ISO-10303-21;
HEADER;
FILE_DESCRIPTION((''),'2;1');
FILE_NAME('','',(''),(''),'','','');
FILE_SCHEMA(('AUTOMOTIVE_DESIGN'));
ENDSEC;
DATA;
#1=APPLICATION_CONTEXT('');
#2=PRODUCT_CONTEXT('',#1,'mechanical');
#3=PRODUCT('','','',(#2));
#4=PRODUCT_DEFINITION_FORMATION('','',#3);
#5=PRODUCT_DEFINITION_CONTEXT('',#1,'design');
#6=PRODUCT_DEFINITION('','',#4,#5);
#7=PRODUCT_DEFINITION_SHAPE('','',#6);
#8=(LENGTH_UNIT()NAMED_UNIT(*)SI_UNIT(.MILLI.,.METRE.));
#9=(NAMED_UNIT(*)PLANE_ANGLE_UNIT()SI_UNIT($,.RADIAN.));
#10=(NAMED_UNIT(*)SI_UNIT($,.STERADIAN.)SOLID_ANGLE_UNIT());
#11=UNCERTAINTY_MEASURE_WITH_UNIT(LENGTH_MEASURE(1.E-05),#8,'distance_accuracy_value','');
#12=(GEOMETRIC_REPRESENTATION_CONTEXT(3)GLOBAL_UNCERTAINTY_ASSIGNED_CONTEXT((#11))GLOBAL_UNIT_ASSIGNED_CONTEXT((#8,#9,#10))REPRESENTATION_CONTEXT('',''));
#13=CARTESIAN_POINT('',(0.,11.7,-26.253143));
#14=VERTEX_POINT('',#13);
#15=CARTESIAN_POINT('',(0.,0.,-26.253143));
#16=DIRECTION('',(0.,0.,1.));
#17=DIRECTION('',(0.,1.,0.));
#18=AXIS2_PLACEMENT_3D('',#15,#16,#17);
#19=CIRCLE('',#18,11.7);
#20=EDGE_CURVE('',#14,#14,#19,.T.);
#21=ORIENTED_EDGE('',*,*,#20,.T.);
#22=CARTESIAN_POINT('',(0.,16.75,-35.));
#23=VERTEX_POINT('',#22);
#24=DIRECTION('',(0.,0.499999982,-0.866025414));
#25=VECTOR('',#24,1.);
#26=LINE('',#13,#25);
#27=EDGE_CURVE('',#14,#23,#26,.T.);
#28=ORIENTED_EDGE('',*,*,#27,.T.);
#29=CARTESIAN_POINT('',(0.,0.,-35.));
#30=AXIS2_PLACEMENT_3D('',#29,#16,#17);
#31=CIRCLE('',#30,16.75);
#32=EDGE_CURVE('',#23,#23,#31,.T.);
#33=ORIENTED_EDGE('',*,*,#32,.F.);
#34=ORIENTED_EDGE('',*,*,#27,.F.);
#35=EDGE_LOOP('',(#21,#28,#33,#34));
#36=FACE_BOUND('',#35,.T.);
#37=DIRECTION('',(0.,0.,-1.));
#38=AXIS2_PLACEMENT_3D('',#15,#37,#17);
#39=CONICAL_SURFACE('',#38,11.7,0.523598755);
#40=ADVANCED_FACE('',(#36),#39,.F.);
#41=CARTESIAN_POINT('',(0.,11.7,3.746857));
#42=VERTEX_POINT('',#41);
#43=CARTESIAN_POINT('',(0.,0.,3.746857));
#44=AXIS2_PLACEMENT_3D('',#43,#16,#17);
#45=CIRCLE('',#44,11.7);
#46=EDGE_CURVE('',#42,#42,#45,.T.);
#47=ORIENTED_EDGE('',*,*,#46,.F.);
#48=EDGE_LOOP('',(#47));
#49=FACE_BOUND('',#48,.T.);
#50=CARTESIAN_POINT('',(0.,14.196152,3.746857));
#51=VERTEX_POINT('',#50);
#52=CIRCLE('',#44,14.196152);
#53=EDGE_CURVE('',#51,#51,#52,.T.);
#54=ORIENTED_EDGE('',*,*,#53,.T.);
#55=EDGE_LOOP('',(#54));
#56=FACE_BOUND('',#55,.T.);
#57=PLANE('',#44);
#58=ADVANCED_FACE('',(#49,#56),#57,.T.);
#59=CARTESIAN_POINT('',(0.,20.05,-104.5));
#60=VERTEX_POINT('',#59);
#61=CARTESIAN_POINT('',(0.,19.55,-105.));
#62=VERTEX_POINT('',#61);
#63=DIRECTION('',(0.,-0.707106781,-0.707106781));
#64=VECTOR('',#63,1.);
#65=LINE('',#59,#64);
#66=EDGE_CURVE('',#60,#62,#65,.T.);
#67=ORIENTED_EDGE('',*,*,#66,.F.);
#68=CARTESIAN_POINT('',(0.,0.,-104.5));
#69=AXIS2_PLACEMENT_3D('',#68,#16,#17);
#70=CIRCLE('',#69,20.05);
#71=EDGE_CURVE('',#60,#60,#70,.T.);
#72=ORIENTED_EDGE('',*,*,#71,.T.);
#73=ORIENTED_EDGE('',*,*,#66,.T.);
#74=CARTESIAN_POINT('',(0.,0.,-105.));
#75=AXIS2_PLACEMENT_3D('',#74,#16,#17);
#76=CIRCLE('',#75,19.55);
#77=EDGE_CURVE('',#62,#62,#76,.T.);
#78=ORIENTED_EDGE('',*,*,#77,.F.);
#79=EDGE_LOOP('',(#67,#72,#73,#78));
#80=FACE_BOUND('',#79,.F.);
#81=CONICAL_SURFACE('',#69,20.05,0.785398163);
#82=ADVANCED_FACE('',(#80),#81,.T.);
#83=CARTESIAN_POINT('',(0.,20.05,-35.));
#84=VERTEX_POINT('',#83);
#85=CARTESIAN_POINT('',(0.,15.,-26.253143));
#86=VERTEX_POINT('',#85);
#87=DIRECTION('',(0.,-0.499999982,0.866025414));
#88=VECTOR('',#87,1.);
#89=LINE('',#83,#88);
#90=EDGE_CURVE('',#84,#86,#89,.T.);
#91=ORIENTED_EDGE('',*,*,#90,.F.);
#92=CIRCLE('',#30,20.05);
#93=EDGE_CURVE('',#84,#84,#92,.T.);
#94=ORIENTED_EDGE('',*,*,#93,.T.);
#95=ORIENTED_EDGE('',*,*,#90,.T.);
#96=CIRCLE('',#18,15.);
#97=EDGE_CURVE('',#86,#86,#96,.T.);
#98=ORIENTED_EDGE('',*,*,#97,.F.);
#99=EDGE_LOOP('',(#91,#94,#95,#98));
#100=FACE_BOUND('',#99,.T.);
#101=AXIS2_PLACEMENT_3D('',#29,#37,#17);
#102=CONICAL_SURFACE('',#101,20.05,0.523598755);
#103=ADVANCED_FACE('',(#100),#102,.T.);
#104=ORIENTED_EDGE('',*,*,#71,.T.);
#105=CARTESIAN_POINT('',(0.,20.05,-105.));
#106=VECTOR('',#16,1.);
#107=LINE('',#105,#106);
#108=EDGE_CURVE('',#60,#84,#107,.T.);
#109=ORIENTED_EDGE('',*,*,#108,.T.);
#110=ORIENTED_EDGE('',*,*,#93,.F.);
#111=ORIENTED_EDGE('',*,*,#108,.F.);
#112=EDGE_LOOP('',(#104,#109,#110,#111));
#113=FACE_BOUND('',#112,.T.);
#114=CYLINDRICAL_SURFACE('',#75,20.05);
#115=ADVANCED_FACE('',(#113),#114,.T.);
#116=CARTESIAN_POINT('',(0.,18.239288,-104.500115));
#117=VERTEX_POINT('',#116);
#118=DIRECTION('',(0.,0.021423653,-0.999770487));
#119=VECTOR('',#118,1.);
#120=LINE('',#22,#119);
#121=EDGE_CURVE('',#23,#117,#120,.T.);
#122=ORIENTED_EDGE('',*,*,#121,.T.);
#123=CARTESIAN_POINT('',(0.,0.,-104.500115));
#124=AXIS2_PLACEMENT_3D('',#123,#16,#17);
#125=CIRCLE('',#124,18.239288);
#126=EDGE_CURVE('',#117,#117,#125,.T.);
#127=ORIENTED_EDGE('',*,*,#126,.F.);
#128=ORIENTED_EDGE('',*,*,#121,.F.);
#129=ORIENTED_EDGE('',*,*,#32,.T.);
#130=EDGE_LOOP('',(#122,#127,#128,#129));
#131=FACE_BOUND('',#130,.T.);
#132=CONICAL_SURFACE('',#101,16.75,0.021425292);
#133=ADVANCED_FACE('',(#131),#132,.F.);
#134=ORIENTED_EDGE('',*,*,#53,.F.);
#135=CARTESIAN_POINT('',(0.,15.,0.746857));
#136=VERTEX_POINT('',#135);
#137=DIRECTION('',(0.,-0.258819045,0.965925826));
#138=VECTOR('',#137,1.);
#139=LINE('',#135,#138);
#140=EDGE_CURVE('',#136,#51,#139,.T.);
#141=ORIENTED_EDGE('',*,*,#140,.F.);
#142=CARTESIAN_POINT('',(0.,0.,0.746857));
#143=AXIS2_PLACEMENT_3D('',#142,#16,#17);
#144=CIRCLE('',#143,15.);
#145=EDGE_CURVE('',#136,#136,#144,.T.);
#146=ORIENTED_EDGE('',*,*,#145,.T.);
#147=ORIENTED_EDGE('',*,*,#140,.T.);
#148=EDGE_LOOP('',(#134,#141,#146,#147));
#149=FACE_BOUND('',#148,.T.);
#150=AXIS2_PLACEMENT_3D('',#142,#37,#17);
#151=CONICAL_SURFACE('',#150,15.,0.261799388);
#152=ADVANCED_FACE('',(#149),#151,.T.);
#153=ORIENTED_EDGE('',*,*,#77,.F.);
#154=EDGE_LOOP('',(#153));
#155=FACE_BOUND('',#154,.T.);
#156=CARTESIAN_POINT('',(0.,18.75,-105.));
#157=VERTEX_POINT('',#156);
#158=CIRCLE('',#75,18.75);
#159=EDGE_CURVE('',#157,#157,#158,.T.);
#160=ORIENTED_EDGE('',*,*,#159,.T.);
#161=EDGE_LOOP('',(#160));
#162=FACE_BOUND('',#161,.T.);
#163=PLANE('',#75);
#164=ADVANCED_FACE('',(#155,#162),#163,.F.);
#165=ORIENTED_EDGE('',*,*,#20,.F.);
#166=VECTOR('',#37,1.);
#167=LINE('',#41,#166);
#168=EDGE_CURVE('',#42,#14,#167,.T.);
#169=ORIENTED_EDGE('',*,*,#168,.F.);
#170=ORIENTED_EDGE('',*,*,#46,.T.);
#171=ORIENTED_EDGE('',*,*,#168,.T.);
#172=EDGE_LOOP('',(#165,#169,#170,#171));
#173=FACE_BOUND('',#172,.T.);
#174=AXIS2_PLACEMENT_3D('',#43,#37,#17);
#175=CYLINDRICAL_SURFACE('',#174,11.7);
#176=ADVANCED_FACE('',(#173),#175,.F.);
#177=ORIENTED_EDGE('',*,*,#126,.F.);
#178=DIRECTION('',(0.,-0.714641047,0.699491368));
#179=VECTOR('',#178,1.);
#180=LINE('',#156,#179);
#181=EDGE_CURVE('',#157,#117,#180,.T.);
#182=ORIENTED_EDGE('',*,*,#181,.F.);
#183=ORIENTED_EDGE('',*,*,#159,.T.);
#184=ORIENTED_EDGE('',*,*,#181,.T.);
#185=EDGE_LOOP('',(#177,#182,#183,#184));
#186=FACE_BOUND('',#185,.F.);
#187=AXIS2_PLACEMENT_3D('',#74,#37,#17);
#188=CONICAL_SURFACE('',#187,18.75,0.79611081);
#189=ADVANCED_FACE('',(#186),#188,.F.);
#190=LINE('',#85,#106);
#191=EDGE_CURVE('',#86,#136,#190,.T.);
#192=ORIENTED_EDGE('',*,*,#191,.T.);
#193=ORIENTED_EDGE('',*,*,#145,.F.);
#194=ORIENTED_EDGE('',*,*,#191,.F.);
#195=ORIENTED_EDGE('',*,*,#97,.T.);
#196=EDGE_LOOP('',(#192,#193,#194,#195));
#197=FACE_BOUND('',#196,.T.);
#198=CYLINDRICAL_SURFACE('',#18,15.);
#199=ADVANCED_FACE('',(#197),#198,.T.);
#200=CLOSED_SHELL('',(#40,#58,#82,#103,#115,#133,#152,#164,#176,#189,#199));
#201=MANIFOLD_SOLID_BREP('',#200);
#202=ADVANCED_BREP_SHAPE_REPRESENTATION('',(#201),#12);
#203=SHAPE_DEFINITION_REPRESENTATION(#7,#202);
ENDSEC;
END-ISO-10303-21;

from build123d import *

# Parameters (mm, degrees)
CHAMFER_ANGLE   = 15
CHAMFER_SIZE    = 3
CHAMFER001_SIZE = 0.5


with BuildPart() as part:
    # Sketch010 → Revolution (revolve)
    with BuildSketch(Plane.YZ):
        Polygon((18.25, -70), (20.05, -70), (20.05, 0), (15, 8.746857), (15, 38.746857), (11.7, 38.746857), (11.7, 8.746857), (16.75, 0), align=None)
    revolve(axis=Axis((0, 0, 0), (0, 0, 1)))

    # Chamfer
    chamfer_edges = [part.edges().sort_by_distance(p)[0] for p in [
        (0, -15, 38.746857),
    ]]
    chamfer_side = part.faces().sort_by_distance((0, -15, 23.746857))[0]
    chamfer(chamfer_edges, length=CHAMFER_SIZE, angle=CHAMFER_ANGLE, reference=chamfer_side)

    # Chamfer001
    chamfer001_edges = [part.edges().sort_by_distance(p)[0] for p in [
        (0, -18.25, -70),
        (0, -20.05, -70),
    ]]
    chamfer(chamfer001_edges, length=CHAMFER001_SIZE)


with BuildPart() as part_1:
    # Body002 placement: moved
    add(part.part.moved(Location((0, 0, -35))))


solid = part_1.part
